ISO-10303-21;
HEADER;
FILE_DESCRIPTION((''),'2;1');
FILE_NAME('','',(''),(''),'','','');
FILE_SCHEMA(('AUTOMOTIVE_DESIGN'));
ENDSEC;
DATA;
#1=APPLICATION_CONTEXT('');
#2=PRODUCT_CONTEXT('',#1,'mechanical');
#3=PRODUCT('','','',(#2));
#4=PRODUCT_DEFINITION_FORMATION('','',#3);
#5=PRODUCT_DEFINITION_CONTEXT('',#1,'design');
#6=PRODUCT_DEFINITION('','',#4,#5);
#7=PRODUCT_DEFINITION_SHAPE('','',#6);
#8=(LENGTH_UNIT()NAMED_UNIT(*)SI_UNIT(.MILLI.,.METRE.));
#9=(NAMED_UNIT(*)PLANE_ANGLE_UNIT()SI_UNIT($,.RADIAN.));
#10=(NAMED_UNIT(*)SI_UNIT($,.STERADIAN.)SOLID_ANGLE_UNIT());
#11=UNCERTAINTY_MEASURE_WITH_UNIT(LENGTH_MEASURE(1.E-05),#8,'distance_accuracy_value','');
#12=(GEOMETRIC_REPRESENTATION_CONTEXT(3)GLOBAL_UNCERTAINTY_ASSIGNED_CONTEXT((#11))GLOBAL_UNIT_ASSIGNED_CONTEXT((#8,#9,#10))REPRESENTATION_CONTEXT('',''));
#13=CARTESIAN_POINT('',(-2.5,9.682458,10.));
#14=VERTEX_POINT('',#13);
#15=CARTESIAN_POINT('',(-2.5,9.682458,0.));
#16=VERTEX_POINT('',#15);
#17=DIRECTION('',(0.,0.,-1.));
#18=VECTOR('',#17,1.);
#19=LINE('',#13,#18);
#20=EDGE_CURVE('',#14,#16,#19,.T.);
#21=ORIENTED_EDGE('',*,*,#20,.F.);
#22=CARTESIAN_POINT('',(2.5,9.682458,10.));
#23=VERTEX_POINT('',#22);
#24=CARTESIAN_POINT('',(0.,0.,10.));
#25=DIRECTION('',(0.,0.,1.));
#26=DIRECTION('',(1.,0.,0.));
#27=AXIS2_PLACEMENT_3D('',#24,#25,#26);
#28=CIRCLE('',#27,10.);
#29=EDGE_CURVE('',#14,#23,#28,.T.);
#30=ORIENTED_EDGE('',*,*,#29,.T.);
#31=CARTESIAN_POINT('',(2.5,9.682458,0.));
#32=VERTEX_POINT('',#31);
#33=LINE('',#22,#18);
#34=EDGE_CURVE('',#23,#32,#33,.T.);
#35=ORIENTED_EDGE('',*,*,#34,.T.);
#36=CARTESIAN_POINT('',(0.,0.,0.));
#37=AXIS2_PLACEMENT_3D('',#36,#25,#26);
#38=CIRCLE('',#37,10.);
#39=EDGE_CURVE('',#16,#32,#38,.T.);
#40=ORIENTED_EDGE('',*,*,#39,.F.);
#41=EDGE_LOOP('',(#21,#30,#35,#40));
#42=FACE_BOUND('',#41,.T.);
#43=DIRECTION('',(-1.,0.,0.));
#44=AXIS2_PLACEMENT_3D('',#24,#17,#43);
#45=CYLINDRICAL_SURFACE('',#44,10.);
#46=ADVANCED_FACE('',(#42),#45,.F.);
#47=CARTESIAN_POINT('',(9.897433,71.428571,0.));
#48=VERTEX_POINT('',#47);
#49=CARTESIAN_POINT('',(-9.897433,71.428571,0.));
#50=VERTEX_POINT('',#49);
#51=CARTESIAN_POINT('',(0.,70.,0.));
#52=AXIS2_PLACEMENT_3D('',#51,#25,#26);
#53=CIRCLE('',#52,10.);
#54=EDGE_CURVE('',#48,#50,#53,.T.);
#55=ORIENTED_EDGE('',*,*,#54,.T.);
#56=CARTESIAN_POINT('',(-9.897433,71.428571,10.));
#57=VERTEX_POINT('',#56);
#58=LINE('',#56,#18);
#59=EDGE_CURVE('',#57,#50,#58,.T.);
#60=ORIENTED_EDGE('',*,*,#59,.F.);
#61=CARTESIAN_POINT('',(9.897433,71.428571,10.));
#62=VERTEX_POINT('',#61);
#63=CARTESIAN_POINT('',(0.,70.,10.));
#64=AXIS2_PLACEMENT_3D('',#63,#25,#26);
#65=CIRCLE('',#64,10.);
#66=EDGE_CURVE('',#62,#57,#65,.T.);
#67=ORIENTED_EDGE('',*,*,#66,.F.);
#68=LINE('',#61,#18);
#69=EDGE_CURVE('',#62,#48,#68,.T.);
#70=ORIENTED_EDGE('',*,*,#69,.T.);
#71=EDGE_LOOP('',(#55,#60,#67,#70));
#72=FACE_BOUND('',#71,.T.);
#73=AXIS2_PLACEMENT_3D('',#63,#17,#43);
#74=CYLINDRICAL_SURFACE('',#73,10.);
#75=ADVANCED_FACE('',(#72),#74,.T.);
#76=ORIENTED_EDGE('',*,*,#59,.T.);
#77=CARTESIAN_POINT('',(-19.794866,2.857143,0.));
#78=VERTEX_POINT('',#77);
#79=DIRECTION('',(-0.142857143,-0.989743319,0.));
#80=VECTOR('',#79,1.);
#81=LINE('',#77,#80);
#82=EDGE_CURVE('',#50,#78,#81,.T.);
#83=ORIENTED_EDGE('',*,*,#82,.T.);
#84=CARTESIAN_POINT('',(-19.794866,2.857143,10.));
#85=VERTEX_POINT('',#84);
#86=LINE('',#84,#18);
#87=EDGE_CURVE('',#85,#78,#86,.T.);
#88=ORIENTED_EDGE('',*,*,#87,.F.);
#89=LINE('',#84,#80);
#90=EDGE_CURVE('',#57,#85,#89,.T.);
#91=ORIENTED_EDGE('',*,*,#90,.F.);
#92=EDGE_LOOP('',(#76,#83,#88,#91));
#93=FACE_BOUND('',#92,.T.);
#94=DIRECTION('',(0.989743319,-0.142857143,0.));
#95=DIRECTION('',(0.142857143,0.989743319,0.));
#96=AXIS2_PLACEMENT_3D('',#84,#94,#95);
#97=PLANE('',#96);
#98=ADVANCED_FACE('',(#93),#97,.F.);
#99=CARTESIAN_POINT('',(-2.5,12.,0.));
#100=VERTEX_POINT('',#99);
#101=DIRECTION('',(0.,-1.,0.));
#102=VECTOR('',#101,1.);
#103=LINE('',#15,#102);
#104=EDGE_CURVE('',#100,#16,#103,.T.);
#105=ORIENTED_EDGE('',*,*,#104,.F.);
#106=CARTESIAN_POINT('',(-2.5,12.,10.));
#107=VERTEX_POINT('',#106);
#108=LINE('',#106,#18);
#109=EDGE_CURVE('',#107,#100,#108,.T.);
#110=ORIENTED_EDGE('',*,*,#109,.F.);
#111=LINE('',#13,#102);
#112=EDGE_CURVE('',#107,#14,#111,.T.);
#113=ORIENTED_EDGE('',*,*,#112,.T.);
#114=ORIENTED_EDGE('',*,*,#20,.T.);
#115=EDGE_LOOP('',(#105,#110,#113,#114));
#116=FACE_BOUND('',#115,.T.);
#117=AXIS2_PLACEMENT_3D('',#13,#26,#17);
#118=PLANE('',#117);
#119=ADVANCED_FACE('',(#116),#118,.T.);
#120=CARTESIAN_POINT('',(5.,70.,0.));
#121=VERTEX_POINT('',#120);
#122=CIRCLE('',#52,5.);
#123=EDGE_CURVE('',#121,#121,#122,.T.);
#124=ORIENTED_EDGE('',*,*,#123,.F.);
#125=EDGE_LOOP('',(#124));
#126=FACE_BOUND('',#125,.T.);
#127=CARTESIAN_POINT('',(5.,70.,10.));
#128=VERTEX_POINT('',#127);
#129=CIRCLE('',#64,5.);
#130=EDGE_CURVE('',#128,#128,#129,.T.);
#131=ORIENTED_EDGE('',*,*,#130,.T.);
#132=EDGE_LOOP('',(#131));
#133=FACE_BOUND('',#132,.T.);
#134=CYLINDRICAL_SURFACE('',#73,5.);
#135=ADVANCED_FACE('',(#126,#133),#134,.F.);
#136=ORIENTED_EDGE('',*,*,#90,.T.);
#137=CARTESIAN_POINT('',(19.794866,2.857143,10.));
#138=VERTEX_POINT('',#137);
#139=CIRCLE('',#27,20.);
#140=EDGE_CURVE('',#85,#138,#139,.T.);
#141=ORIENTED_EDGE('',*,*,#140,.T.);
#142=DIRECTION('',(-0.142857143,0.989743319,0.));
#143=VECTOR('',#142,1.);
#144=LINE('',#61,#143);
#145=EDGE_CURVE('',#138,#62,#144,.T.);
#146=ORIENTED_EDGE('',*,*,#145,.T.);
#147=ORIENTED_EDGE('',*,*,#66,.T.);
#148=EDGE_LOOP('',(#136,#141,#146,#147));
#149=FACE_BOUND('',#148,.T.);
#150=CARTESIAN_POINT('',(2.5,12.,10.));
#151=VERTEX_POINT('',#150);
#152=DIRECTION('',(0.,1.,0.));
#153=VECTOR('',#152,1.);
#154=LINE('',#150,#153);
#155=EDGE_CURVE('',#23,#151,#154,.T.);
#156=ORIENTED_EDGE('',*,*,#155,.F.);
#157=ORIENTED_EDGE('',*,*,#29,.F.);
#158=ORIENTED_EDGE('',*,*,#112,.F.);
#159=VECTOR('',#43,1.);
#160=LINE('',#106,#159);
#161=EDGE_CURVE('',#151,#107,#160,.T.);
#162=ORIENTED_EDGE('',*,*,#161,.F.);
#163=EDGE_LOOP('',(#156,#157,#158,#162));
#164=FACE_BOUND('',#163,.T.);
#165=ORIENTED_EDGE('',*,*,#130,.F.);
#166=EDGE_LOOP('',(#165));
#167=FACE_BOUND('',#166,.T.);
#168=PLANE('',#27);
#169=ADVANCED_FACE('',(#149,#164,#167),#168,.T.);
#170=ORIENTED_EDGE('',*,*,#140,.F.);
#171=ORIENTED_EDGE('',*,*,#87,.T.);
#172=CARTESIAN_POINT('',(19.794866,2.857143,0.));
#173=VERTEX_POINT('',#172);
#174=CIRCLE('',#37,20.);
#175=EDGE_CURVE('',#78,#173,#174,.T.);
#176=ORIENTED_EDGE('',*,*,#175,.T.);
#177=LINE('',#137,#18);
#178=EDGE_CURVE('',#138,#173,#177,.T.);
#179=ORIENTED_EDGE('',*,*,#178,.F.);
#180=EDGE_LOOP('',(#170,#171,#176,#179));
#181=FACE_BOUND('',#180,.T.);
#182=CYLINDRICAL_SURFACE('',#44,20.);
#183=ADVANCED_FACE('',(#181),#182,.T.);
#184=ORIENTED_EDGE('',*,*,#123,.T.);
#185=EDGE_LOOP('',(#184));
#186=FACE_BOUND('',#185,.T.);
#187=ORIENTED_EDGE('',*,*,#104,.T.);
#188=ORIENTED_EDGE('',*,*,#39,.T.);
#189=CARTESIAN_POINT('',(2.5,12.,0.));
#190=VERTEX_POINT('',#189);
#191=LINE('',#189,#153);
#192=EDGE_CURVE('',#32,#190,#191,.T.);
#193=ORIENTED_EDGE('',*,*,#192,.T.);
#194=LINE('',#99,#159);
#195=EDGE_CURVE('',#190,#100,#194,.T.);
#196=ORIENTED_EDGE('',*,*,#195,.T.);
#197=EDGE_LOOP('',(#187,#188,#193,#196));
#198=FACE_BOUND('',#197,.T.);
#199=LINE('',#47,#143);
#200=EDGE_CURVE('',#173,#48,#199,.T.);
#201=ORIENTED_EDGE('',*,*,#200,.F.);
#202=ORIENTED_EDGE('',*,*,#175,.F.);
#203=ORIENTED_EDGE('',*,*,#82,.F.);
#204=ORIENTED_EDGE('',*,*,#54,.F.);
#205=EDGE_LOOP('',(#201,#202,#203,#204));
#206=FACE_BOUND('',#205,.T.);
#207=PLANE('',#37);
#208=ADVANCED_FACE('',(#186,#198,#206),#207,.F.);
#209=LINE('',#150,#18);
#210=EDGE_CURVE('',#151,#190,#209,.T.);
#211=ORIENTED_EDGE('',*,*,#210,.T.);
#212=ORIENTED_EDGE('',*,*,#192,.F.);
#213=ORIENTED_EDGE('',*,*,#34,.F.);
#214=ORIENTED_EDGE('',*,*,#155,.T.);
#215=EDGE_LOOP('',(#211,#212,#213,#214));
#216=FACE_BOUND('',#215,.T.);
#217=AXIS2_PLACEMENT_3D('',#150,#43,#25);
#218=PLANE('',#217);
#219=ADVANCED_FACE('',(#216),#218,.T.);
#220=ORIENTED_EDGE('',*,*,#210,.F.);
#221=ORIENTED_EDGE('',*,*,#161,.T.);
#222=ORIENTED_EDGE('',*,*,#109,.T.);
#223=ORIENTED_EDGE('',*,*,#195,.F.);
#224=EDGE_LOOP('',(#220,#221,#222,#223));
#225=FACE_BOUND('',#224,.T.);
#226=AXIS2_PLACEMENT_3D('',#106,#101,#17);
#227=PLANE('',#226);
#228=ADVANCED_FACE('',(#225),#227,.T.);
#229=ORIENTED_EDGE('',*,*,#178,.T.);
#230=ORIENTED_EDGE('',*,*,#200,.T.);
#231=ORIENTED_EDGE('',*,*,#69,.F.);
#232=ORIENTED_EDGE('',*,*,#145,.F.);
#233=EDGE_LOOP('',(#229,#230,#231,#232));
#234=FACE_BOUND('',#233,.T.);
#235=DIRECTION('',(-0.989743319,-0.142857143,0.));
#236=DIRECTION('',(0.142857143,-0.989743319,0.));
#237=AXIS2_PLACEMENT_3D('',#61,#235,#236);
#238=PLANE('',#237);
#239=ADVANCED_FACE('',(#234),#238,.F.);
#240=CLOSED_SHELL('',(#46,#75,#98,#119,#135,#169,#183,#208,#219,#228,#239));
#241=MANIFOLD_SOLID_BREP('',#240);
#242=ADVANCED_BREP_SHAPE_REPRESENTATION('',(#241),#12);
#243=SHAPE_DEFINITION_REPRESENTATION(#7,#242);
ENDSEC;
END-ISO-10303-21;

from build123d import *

# Parameters (mm, degrees)
SKETCH2_R           = 5
BOSS_EXTRUDE1_DEPTH = 10
SKETCH3_R           = 10
SKETCH3_R_2         = 5
BOSS_EXTRUDE2_DEPTH = 76.2
BOSS_EXTRUDE3_START = 86.2
SKETCH2_2_R         = 5
BOSS_EXTRUDE3_DEPTH = 22
SKETCH5_R           = 65
BOSS_EXTRUDE4_DEPTH = 22
SKETCH6_R           = 55
CUT_EXTRUDE1_DEPTH  = 22
SKETCH7_R           = 80
CUT_EXTRUDE2_DEPTH  = 143.366569109


with BuildPart() as part:
    # Sketch2 → Boss-Extrude1 (new body)
    with BuildSketch(Plane.XY):
        with BuildLine():
            Line((-19.794866372, 2.857142857), (-9.897433186, 71.428571429))
            ThreePointArc((-9.897433186, 71.428571429), (0, 80), (9.897433186, 71.428571429))
            Line((9.897433186, 71.428571429), (19.794866372, 2.857142857))
            ThreePointArc((19.794866372, 2.857142857), (0, -20), (-19.794866372, 2.857142857))
        make_face()
        with Locations((0, 70)):
            Circle(SKETCH2_R, mode=Mode.SUBTRACT)
        with BuildLine():
            Line((-2.5, 9.682458366), (-2.5, 12))
            Line((-2.5, 12), (2.5, 12))
            Line((2.5, 12), (2.5, 9.682458366))
            ThreePointArc((2.5, 9.682458366), (0, -10), (-2.5, 9.682458366))
        make_face(mode=Mode.SUBTRACT)
    extrude(amount=BOSS_EXTRUDE1_DEPTH)

    # Sketch3 → Boss-Extrude2 (add)
    with BuildSketch(Plane.XY.offset(10)):
        with Locations(Location((0, 70, 0), (0, 0, 171.786789298))):
            Circle(SKETCH3_R)
        with Locations((0, 70)):
            Circle(SKETCH3_R_2, mode=Mode.SUBTRACT)
    extrude(amount=BOSS_EXTRUDE2_DEPTH)

    # Sketch2<2> → Boss-Extrude3 (add)
    with BuildSketch(Plane.XY.offset(BOSS_EXTRUDE3_START)):
        with BuildLine():
            Line((-19.794866372, 2.857142857), (-9.897433186, 71.428571429))
            ThreePointArc((-9.897433186, 71.428571429), (0, 80), (9.897433186, 71.428571429))
            Line((9.897433186, 71.428571429), (19.794866372, 2.857142857))
            ThreePointArc((19.794866372, 2.857142857), (0, -20), (-19.794866372, 2.857142857))
        make_face()
        with Locations((0, 70)):
            Circle(SKETCH2_2_R, mode=Mode.SUBTRACT)
        with BuildLine():
            Line((-2.5, 9.682458366), (-2.5, 12))
            Line((-2.5, 12), (2.5, 12))
            Line((2.5, 12), (2.5, 9.682458366))
            ThreePointArc((2.5, 9.682458366), (0, -10), (-2.5, 9.682458366))
        make_face(mode=Mode.SUBTRACT)
    extrude(amount=BOSS_EXTRUDE3_DEPTH)

    # Sketch5 → Boss-Extrude4 (add)
    with BuildSketch(Plane.XY.offset(108.2)):
        Circle(SKETCH5_R)
    extrude(amount=-BOSS_EXTRUDE4_DEPTH)

    # Sketch6 → Cut-Extrude1 (cut)
    with BuildSketch(Plane.XY.offset(108.2)):
        Circle(SKETCH6_R)
    extrude(amount=-CUT_EXTRUDE1_DEPTH, mode=Mode.SUBTRACT)

    # Sketch7 → Cut-Extrude2 (cut, through all)
    with BuildSketch(Plane.XY.offset(10)):
        Circle(SKETCH7_R)
    extrude(amount=CUT_EXTRUDE2_DEPTH, mode=Mode.SUBTRACT)


solid = part.part
